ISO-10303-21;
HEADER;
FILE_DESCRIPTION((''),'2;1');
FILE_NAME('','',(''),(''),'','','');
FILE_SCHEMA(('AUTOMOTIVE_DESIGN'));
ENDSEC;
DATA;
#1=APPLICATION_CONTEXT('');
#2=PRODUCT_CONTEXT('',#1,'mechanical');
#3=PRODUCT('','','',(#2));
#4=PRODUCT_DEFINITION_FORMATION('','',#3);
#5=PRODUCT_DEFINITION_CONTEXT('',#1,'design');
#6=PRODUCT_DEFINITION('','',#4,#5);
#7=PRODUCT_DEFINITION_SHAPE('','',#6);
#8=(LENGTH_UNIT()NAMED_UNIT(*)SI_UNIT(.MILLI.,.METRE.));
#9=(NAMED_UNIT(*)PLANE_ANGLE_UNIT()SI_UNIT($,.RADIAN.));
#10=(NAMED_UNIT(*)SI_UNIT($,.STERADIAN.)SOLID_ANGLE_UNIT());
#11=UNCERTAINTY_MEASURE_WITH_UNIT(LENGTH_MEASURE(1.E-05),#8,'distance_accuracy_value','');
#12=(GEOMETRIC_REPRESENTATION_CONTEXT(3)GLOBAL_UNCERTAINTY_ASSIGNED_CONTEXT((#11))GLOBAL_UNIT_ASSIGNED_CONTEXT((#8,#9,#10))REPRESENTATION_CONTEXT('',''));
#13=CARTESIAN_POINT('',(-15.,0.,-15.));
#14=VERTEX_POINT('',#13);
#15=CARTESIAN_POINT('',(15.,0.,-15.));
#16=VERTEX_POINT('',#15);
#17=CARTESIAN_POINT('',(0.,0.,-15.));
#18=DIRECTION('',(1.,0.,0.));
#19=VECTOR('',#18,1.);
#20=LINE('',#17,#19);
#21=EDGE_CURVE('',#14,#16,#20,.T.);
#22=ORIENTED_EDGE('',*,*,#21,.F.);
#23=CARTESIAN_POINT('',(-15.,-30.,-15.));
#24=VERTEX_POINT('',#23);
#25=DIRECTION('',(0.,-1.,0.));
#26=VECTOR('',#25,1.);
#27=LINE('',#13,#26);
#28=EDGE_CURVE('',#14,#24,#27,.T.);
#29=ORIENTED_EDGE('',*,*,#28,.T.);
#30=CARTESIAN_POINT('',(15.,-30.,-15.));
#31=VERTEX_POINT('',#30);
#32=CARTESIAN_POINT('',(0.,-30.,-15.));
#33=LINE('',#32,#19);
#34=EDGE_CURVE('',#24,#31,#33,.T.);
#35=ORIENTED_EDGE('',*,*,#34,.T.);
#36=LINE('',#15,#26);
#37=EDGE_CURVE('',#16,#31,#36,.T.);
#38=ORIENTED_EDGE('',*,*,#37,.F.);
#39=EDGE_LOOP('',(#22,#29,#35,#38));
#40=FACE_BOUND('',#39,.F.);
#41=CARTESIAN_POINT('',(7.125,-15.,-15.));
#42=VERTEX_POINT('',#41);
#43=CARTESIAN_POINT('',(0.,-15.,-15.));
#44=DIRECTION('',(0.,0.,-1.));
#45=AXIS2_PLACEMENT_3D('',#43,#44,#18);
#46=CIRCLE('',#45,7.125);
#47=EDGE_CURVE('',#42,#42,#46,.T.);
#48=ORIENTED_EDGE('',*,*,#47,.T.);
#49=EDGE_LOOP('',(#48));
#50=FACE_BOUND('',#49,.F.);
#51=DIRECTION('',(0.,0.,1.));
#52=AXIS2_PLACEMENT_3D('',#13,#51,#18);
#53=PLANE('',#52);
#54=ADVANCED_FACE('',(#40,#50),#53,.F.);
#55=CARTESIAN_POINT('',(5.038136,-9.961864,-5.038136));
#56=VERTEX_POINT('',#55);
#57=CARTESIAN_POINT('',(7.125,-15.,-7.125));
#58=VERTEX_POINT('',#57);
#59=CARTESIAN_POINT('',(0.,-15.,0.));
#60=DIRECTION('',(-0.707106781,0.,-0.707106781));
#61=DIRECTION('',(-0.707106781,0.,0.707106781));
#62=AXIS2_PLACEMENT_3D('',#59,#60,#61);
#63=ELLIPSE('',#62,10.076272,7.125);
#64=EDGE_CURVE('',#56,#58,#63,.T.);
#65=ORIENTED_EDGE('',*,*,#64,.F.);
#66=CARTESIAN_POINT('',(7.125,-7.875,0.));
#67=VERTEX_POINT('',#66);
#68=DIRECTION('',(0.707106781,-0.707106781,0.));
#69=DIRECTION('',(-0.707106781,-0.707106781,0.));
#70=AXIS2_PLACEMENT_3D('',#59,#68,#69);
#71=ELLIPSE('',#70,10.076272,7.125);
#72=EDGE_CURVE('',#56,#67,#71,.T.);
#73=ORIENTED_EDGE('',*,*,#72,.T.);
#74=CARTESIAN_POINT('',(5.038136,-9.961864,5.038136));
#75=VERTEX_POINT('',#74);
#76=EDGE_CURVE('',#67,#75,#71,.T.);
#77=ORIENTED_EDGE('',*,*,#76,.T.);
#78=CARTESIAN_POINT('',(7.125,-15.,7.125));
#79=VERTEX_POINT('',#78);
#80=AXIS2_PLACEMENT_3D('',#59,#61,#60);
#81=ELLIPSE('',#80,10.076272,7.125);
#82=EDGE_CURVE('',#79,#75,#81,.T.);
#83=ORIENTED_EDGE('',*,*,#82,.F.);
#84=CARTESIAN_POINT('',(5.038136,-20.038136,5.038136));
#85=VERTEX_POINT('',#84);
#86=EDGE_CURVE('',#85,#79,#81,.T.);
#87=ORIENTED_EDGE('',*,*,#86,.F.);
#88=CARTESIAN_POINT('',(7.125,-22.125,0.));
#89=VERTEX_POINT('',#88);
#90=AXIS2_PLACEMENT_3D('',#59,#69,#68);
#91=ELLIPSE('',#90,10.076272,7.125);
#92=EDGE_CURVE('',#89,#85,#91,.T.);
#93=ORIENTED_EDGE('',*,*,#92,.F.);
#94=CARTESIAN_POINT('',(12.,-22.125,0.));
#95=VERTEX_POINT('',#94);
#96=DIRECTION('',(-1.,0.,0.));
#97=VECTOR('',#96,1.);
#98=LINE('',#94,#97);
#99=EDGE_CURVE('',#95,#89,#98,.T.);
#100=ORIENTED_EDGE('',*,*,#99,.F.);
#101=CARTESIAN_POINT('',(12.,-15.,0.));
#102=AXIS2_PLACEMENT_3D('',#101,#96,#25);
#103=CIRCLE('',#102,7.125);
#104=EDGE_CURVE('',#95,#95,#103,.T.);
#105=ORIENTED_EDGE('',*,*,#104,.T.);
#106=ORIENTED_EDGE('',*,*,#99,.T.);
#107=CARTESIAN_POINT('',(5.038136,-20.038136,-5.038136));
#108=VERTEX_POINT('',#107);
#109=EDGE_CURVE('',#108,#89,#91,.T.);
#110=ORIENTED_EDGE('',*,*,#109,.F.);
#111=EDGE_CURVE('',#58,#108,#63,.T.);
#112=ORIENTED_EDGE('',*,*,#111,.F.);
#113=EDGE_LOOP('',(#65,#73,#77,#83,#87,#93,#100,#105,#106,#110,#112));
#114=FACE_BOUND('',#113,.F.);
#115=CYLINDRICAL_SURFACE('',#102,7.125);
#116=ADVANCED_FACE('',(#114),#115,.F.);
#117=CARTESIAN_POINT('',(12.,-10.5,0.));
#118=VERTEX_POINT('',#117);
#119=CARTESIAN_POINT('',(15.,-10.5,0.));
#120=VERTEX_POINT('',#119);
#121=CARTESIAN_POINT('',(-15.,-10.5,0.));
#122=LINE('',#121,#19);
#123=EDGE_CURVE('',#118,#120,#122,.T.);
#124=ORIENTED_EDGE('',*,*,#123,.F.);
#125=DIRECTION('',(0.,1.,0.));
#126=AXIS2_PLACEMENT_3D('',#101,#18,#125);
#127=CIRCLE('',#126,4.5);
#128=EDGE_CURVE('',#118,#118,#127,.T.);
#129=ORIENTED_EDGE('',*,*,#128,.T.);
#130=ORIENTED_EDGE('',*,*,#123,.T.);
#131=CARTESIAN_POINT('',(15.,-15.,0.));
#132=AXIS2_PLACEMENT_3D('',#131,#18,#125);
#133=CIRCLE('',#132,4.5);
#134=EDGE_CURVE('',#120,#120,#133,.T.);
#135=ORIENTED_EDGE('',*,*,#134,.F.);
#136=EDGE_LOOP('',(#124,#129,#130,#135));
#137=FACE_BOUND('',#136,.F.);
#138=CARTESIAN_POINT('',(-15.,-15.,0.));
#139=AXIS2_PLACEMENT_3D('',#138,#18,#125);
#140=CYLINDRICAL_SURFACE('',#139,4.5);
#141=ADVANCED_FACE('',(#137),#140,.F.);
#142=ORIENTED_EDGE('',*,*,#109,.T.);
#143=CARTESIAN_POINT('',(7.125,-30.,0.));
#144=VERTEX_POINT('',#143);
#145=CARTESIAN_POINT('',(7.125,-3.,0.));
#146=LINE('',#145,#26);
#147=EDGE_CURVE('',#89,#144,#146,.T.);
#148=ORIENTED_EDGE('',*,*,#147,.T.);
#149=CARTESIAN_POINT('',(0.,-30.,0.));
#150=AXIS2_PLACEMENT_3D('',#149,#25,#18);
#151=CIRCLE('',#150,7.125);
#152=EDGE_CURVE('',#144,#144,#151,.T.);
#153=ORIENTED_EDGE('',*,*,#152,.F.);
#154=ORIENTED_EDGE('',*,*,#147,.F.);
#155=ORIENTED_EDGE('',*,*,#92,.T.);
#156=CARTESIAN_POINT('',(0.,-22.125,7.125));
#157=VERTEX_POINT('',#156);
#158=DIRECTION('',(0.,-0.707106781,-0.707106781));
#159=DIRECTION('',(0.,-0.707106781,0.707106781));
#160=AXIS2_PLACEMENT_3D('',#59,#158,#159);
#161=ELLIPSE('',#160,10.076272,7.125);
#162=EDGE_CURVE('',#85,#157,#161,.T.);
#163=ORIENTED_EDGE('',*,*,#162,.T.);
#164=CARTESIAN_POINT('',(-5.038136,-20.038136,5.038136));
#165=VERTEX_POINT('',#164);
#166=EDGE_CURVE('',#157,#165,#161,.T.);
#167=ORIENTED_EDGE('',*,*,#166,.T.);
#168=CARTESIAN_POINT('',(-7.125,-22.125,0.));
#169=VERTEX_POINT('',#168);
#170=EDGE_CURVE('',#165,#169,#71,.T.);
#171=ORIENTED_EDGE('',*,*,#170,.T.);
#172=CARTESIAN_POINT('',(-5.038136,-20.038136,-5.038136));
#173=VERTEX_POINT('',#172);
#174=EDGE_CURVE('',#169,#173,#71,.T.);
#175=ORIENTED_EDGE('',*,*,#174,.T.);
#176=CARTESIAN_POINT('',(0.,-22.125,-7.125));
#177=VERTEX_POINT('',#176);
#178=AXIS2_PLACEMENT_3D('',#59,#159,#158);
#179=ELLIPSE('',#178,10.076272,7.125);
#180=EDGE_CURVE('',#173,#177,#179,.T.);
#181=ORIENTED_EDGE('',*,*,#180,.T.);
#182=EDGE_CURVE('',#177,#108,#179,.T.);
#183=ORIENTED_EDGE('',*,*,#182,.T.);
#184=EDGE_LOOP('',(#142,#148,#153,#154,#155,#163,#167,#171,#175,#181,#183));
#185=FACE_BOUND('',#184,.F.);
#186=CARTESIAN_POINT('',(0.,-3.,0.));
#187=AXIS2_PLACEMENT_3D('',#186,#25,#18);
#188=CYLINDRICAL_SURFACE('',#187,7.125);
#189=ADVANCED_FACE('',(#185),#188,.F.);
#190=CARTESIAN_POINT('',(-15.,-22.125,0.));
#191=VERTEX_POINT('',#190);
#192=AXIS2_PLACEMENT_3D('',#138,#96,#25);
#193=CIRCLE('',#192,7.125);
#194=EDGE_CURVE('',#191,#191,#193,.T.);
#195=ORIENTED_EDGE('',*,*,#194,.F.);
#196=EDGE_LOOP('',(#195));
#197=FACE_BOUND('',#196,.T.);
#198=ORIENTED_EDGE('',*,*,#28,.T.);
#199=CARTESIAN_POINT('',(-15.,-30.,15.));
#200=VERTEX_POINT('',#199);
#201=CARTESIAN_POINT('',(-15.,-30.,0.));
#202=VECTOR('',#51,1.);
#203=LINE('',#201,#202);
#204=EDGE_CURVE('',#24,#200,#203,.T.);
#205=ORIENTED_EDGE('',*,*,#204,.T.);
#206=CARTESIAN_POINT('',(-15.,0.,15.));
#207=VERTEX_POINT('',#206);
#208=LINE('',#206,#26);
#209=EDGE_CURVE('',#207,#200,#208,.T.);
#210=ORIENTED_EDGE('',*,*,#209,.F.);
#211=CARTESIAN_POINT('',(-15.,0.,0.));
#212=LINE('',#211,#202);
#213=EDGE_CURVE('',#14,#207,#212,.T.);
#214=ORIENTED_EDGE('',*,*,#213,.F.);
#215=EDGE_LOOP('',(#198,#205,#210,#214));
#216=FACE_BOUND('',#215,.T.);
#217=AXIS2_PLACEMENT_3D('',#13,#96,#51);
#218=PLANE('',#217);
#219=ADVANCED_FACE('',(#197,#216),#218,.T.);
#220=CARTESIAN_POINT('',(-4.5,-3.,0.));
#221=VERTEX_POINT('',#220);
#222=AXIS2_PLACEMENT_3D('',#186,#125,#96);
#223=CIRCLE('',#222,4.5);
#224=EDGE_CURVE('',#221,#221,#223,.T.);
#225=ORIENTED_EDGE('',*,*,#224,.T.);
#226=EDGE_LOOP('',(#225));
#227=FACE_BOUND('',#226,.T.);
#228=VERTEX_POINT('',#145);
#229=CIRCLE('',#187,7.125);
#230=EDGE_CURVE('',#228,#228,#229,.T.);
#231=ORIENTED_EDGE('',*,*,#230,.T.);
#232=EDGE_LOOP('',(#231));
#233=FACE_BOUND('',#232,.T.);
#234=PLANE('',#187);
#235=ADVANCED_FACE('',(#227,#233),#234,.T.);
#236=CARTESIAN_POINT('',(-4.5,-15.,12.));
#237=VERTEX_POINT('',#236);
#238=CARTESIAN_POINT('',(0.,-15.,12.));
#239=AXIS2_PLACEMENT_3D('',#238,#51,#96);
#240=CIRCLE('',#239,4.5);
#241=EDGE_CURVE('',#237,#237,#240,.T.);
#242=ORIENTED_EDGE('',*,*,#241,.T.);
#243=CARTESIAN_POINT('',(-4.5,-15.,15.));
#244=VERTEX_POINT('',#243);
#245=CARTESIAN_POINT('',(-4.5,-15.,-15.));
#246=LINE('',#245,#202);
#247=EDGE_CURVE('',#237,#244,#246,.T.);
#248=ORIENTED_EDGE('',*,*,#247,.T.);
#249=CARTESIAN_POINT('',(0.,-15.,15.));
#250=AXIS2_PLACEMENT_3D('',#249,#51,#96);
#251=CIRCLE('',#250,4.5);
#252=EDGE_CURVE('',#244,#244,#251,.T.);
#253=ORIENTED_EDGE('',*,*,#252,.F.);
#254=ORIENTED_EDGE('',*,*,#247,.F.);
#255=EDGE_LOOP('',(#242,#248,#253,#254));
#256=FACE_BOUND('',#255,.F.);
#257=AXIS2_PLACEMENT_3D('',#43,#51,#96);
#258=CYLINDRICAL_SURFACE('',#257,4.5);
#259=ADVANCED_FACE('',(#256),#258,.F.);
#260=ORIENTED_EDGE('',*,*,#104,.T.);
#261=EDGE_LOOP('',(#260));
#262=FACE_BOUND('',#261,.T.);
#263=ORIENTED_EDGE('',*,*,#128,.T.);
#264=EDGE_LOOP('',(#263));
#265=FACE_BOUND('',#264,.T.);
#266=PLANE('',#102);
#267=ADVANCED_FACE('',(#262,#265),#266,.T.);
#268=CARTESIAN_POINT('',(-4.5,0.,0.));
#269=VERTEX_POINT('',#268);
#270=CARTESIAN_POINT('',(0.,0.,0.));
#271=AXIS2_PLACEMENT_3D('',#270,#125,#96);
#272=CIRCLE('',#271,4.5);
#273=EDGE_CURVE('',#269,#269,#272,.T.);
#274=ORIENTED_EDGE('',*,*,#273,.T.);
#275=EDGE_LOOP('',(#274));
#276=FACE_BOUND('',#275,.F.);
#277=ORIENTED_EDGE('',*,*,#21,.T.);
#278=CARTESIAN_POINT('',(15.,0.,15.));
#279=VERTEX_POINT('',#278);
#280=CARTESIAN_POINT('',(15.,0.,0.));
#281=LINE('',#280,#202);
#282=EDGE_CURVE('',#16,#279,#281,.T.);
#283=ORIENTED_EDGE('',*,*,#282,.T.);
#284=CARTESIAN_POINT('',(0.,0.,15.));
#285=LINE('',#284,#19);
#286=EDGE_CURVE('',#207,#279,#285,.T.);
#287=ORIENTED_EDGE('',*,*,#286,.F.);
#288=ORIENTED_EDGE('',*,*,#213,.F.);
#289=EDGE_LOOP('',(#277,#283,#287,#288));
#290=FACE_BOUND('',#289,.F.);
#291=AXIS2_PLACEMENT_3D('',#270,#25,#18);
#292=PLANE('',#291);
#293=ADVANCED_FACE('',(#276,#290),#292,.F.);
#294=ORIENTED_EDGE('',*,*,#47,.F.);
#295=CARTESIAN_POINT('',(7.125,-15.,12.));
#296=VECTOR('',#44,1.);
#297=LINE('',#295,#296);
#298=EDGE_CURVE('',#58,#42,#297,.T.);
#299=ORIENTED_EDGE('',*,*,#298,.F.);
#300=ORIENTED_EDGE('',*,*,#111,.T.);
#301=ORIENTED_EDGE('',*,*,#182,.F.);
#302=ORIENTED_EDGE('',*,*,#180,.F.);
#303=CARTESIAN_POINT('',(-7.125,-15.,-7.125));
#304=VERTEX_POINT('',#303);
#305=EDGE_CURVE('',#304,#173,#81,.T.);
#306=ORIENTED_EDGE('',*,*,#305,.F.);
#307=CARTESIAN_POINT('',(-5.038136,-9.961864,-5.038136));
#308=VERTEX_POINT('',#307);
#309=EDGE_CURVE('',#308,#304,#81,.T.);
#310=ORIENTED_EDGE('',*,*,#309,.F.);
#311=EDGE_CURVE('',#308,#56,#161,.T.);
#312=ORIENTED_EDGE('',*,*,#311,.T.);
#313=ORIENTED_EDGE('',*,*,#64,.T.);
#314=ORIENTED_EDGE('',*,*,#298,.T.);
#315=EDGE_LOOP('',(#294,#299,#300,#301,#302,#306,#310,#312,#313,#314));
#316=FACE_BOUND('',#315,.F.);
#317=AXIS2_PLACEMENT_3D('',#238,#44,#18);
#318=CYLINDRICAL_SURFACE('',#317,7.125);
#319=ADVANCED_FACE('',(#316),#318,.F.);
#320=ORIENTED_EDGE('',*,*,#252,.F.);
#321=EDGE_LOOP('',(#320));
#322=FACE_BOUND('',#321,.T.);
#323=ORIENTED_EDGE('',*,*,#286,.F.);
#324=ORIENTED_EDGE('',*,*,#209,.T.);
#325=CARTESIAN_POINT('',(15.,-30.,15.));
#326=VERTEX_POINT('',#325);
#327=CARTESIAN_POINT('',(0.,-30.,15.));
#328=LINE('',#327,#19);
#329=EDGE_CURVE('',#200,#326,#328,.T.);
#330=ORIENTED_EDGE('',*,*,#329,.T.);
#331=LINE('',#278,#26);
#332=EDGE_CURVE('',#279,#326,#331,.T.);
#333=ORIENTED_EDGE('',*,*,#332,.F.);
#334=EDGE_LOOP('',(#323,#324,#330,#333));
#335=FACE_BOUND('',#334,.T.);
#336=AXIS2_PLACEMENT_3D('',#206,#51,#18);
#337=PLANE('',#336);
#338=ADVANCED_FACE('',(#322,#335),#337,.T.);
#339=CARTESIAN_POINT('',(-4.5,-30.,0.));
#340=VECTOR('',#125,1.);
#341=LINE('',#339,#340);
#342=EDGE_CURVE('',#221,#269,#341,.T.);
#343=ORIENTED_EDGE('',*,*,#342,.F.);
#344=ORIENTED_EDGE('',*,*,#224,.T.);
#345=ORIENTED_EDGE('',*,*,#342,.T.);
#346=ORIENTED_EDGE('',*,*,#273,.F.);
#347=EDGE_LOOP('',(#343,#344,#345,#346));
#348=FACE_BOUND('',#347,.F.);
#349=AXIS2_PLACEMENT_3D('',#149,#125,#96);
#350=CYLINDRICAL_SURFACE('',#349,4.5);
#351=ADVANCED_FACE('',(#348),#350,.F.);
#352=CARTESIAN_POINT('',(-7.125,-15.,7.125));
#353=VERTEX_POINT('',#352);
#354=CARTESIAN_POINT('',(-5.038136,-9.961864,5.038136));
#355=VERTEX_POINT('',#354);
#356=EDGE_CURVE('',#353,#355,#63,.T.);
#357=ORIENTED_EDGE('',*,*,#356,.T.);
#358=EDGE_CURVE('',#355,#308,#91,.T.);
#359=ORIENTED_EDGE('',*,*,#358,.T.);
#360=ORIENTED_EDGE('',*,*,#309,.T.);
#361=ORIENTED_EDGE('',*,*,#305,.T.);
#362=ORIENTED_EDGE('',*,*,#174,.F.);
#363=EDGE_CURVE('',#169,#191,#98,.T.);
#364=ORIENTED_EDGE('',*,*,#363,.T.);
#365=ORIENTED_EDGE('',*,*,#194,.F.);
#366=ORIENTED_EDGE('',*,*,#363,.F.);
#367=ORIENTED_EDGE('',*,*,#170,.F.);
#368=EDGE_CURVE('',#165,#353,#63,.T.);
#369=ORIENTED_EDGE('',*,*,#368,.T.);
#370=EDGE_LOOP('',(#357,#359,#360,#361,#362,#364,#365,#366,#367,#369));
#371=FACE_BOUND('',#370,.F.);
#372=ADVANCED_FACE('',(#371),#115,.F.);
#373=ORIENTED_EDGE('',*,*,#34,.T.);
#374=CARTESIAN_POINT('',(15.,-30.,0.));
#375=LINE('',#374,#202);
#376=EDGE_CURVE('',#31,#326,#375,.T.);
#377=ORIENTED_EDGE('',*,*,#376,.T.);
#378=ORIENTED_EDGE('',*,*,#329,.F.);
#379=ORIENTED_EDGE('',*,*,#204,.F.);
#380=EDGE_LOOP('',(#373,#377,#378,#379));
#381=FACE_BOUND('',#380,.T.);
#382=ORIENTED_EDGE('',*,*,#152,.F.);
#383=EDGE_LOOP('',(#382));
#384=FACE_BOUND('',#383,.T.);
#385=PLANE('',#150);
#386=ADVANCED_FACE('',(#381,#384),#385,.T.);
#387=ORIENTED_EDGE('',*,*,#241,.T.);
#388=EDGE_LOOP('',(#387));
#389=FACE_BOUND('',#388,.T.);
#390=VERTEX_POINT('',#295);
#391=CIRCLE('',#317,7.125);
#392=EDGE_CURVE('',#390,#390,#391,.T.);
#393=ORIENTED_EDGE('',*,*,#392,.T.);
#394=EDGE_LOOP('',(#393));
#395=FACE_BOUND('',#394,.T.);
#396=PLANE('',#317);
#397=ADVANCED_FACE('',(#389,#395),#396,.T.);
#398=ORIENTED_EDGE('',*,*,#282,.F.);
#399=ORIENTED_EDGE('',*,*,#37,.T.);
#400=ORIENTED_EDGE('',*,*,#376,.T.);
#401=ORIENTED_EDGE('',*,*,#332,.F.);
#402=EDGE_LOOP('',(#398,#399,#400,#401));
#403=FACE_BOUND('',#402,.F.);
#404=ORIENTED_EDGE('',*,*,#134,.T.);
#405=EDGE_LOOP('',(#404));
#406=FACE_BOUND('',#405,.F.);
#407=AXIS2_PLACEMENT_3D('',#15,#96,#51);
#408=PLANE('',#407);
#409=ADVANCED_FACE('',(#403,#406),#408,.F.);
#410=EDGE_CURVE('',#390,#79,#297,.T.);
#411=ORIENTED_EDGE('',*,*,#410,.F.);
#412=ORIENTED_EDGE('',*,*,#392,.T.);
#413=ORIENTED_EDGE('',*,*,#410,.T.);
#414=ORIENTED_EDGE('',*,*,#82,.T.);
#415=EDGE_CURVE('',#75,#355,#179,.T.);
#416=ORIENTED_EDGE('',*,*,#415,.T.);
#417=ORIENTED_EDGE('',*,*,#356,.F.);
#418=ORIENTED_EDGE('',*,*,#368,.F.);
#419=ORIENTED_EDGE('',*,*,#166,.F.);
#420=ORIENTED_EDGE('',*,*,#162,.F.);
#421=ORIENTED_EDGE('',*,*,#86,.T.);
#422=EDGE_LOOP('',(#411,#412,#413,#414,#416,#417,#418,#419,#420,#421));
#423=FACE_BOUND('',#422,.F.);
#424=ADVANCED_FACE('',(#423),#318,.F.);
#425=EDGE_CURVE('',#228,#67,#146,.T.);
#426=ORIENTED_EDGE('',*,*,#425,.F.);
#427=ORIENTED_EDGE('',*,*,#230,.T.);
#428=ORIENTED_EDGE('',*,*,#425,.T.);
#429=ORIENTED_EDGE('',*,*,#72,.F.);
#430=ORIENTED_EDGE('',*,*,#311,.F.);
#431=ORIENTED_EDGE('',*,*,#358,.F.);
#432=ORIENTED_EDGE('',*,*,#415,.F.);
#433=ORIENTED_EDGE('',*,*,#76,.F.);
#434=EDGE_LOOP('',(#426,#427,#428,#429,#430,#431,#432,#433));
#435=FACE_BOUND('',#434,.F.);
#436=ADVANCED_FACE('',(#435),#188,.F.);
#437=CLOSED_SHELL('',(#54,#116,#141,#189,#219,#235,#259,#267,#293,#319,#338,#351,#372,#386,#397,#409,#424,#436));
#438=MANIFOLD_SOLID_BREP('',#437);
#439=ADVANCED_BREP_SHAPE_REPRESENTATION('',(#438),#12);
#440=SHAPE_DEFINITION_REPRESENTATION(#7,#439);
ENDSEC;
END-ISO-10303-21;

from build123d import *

# Parameters (mm, degrees)
F0_W           = 30
F0_H           = 30
F1_DEPTH       = 30
F3_D           = 9
F3_CBORE_D     = 14.25
F3_CBORE_DEPTH = 27
F5_D           = 9
F5_CBORE_D     = 14.25
F5_CBORE_DEPTH = 27
F7_D           = 9
F7_CBORE_D     = 14.25
F7_CBORE_DEPTH = 27


with BuildPart() as f1:
    # F0 (on Front) → F1 (new body)
    with BuildSketch(Plane.XZ):
        Rectangle(F0_W, F0_H)
    extrude(amount=F1_DEPTH)

    # F3 (through all)
    with Locations(Plane.XZ.offset(30)):
        with Locations((0, 0)):
            CounterBoreHole(F3_D / 2, F3_CBORE_D / 2, F3_CBORE_DEPTH)

    # F5 (through all)
    with Locations(Plane(origin=(-15, 0, 0), x_dir=(0, -1, 0), z_dir=(-1, 0, 0))):
        with Locations((15, 0)):
            CounterBoreHole(F5_D / 2, F5_CBORE_D / 2, F5_CBORE_DEPTH)

    # F7 (through all)
    with Locations(Plane(origin=(0, 0, -15), x_dir=(1, 0, 0), z_dir=(0, 0, -1))):
        with Locations((0, 15)):
            CounterBoreHole(F7_D / 2, F7_CBORE_D / 2, F7_CBORE_DEPTH)


solid = f1.part
